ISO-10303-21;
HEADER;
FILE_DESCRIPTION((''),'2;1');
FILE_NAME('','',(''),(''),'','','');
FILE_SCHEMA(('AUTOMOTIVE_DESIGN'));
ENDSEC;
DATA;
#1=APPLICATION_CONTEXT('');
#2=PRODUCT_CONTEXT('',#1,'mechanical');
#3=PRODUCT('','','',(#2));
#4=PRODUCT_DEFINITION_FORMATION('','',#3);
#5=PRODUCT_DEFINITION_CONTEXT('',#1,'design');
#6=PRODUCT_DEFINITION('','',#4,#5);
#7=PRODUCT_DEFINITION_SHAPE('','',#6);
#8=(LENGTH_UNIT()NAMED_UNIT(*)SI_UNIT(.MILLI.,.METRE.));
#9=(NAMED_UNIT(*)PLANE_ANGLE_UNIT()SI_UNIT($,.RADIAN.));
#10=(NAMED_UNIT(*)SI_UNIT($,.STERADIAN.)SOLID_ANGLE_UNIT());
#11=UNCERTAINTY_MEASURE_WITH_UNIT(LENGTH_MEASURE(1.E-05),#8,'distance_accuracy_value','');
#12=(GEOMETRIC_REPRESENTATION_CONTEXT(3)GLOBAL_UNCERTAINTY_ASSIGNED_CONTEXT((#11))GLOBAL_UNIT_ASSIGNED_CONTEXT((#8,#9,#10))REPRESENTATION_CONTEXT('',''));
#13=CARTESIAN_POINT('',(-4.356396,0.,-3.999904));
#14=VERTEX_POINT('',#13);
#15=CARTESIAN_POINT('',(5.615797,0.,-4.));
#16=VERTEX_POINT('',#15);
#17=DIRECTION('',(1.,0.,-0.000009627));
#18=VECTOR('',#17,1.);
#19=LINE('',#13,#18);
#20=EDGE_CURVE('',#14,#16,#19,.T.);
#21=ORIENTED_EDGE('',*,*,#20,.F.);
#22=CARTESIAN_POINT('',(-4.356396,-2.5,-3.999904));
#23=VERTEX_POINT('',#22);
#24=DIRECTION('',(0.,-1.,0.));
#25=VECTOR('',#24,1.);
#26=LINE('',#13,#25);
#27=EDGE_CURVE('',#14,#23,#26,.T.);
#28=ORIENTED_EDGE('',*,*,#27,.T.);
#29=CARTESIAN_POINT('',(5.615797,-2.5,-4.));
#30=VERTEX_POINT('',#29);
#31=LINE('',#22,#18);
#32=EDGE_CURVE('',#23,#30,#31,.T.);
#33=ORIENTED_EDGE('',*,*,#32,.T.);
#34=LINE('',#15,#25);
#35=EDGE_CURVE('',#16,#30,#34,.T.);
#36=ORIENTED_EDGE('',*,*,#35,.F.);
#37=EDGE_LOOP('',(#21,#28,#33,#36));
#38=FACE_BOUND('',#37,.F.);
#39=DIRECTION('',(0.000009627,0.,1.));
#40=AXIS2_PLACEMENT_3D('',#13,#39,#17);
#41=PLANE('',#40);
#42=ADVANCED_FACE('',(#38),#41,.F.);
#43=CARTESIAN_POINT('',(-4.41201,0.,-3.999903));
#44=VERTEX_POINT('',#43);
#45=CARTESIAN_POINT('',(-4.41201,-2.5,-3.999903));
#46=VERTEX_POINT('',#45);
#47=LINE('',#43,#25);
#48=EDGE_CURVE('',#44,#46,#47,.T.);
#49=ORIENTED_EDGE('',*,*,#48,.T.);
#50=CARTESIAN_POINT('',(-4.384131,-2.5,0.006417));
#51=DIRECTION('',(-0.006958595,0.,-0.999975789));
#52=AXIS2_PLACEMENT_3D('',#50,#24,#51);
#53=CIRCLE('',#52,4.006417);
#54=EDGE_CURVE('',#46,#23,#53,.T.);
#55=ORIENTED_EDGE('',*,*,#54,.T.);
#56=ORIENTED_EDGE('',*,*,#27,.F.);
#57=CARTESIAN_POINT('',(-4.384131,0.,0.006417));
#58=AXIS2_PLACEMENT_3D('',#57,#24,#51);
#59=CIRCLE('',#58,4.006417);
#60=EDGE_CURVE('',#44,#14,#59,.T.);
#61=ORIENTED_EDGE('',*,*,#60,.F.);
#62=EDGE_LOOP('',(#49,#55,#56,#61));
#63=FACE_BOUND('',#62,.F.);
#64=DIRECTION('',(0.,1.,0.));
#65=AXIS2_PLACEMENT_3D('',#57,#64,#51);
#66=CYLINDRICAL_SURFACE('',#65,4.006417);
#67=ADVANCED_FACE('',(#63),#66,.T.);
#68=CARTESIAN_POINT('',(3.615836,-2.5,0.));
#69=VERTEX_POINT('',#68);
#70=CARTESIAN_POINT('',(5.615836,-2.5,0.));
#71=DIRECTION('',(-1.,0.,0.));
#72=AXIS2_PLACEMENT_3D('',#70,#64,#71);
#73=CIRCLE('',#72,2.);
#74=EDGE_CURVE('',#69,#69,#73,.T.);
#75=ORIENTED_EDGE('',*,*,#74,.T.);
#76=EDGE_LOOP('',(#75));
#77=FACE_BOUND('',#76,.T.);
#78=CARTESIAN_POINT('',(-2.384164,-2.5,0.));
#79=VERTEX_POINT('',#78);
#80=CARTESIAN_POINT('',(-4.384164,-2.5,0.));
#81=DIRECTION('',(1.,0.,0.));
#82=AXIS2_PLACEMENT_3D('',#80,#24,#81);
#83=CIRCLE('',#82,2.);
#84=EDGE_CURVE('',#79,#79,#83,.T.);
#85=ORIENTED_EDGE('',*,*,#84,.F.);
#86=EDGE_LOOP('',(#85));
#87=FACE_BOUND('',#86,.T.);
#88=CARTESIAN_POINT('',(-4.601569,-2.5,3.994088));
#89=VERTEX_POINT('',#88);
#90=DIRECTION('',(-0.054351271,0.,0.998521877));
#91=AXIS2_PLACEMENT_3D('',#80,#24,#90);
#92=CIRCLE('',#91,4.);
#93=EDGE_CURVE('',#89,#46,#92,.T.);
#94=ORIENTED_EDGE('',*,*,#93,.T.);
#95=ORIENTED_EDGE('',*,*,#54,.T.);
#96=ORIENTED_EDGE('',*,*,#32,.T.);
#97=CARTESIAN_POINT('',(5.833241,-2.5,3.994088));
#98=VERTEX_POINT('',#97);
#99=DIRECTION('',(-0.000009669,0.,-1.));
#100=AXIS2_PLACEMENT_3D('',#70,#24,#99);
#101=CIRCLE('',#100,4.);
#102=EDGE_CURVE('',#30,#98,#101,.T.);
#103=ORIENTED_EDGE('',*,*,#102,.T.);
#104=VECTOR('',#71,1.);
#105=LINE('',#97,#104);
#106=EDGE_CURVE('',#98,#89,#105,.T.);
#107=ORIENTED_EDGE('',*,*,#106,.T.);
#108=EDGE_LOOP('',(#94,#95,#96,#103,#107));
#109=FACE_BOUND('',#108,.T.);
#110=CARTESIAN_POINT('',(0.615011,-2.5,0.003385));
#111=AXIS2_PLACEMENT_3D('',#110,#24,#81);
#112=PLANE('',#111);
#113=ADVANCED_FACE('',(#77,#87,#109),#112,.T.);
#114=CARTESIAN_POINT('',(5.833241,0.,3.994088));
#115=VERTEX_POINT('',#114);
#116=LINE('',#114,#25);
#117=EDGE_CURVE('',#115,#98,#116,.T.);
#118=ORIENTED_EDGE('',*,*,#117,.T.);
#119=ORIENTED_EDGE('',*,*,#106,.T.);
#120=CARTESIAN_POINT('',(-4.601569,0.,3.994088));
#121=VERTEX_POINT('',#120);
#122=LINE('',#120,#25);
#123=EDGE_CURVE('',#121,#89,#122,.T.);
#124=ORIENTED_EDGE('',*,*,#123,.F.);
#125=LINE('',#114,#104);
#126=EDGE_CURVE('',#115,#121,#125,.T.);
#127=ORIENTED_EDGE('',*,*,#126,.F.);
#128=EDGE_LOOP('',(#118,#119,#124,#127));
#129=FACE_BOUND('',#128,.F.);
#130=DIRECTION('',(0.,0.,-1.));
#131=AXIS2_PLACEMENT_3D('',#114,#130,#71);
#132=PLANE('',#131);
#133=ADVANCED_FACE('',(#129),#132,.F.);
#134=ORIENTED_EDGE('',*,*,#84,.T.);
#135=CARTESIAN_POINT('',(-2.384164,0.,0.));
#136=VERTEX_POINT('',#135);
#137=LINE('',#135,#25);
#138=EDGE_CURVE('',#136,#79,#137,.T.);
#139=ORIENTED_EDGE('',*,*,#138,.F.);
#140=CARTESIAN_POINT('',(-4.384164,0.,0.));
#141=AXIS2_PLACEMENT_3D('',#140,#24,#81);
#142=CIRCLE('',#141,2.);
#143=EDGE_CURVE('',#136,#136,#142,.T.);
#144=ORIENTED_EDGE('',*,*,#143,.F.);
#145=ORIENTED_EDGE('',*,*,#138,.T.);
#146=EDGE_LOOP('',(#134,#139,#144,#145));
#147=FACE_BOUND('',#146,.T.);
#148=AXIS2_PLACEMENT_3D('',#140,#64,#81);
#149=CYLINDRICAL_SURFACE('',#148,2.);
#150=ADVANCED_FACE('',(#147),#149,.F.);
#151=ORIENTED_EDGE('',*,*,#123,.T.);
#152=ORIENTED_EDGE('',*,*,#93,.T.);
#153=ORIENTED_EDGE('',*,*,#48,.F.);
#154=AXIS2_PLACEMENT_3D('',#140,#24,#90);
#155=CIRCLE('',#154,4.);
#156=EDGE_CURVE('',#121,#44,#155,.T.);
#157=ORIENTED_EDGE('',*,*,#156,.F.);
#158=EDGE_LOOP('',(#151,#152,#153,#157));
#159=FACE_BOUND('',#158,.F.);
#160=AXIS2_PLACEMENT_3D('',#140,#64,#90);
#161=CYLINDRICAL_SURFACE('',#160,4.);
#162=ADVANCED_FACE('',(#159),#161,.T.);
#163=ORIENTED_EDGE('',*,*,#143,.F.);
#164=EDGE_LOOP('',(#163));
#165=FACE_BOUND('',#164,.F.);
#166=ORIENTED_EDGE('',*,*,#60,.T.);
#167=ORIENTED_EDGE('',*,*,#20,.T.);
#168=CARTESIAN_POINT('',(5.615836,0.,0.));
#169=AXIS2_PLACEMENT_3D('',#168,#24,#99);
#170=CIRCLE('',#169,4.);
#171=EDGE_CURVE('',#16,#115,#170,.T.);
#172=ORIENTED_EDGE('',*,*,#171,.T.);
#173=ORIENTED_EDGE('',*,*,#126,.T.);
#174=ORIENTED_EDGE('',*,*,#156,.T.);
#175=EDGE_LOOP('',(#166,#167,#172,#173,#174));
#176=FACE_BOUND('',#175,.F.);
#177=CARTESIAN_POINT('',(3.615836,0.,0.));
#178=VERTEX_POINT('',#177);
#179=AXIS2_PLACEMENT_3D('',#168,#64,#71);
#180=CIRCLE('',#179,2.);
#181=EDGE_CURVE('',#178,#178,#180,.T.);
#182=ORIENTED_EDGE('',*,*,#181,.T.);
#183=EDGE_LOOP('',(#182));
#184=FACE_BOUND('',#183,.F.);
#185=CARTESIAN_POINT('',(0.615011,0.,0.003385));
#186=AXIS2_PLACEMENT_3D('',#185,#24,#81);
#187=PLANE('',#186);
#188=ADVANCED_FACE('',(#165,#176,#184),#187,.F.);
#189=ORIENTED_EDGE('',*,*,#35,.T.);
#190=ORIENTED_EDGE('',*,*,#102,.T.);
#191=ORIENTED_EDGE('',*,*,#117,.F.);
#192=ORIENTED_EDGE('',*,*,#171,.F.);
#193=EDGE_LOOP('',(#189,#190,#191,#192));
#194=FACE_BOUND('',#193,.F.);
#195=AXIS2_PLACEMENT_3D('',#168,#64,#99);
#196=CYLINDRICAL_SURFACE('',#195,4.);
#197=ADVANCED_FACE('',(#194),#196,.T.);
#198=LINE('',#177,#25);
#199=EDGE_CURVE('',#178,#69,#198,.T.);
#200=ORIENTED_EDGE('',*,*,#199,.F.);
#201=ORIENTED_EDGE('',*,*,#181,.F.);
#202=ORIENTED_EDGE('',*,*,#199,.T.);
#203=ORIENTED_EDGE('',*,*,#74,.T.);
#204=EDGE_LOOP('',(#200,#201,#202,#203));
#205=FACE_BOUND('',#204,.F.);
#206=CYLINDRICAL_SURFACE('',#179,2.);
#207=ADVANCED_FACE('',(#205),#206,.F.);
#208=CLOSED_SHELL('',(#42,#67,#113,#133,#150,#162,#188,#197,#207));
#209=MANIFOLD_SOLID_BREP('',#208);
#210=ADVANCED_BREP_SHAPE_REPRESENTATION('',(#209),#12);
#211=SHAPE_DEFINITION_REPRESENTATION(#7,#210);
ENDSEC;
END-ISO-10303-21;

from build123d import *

# Parameters (mm, degrees)
F0_R     = 2
F1_DEPTH = 2.5


with BuildPart() as f1:
    # F0 (on Front) → F1 (new body)
    with BuildSketch(Plane.XZ):
        with BuildLine():
            Line((5.398431, 3.994088), (-4.166759, 3.994088))
            Line((-4.166759, 3.994088), (-4.601569, 3.994088))
            ThreePointArc((-4.601569, 3.994088), (-8.38304, -0.094824), (-4.41201, -3.999903))
            ThreePointArc((-4.41201, -3.999903), (-4.384203, -4), (-4.356396, -3.999904))
            Line((-4.356396, -3.999904), (5.615797, -4))
            ThreePointArc((5.615797, -4), (9.614357, -0.108762), (5.833241, 3.994088))
            Line((5.833241, 3.994088), (5.398431, 3.994088))
        make_face()
        with Locations((-4.384164, 0)):
            Circle(F0_R, mode=Mode.SUBTRACT)
        with BuildLine():
            ThreePointArc((7.615836, 0), (5.615836, -2), (3.615836, 0))
            ThreePointArc((3.615836, 0), (5.615836, 2), (7.615836, 0))
        make_face(mode=Mode.SUBTRACT)
    extrude(amount=F1_DEPTH)


solid = f1.part
